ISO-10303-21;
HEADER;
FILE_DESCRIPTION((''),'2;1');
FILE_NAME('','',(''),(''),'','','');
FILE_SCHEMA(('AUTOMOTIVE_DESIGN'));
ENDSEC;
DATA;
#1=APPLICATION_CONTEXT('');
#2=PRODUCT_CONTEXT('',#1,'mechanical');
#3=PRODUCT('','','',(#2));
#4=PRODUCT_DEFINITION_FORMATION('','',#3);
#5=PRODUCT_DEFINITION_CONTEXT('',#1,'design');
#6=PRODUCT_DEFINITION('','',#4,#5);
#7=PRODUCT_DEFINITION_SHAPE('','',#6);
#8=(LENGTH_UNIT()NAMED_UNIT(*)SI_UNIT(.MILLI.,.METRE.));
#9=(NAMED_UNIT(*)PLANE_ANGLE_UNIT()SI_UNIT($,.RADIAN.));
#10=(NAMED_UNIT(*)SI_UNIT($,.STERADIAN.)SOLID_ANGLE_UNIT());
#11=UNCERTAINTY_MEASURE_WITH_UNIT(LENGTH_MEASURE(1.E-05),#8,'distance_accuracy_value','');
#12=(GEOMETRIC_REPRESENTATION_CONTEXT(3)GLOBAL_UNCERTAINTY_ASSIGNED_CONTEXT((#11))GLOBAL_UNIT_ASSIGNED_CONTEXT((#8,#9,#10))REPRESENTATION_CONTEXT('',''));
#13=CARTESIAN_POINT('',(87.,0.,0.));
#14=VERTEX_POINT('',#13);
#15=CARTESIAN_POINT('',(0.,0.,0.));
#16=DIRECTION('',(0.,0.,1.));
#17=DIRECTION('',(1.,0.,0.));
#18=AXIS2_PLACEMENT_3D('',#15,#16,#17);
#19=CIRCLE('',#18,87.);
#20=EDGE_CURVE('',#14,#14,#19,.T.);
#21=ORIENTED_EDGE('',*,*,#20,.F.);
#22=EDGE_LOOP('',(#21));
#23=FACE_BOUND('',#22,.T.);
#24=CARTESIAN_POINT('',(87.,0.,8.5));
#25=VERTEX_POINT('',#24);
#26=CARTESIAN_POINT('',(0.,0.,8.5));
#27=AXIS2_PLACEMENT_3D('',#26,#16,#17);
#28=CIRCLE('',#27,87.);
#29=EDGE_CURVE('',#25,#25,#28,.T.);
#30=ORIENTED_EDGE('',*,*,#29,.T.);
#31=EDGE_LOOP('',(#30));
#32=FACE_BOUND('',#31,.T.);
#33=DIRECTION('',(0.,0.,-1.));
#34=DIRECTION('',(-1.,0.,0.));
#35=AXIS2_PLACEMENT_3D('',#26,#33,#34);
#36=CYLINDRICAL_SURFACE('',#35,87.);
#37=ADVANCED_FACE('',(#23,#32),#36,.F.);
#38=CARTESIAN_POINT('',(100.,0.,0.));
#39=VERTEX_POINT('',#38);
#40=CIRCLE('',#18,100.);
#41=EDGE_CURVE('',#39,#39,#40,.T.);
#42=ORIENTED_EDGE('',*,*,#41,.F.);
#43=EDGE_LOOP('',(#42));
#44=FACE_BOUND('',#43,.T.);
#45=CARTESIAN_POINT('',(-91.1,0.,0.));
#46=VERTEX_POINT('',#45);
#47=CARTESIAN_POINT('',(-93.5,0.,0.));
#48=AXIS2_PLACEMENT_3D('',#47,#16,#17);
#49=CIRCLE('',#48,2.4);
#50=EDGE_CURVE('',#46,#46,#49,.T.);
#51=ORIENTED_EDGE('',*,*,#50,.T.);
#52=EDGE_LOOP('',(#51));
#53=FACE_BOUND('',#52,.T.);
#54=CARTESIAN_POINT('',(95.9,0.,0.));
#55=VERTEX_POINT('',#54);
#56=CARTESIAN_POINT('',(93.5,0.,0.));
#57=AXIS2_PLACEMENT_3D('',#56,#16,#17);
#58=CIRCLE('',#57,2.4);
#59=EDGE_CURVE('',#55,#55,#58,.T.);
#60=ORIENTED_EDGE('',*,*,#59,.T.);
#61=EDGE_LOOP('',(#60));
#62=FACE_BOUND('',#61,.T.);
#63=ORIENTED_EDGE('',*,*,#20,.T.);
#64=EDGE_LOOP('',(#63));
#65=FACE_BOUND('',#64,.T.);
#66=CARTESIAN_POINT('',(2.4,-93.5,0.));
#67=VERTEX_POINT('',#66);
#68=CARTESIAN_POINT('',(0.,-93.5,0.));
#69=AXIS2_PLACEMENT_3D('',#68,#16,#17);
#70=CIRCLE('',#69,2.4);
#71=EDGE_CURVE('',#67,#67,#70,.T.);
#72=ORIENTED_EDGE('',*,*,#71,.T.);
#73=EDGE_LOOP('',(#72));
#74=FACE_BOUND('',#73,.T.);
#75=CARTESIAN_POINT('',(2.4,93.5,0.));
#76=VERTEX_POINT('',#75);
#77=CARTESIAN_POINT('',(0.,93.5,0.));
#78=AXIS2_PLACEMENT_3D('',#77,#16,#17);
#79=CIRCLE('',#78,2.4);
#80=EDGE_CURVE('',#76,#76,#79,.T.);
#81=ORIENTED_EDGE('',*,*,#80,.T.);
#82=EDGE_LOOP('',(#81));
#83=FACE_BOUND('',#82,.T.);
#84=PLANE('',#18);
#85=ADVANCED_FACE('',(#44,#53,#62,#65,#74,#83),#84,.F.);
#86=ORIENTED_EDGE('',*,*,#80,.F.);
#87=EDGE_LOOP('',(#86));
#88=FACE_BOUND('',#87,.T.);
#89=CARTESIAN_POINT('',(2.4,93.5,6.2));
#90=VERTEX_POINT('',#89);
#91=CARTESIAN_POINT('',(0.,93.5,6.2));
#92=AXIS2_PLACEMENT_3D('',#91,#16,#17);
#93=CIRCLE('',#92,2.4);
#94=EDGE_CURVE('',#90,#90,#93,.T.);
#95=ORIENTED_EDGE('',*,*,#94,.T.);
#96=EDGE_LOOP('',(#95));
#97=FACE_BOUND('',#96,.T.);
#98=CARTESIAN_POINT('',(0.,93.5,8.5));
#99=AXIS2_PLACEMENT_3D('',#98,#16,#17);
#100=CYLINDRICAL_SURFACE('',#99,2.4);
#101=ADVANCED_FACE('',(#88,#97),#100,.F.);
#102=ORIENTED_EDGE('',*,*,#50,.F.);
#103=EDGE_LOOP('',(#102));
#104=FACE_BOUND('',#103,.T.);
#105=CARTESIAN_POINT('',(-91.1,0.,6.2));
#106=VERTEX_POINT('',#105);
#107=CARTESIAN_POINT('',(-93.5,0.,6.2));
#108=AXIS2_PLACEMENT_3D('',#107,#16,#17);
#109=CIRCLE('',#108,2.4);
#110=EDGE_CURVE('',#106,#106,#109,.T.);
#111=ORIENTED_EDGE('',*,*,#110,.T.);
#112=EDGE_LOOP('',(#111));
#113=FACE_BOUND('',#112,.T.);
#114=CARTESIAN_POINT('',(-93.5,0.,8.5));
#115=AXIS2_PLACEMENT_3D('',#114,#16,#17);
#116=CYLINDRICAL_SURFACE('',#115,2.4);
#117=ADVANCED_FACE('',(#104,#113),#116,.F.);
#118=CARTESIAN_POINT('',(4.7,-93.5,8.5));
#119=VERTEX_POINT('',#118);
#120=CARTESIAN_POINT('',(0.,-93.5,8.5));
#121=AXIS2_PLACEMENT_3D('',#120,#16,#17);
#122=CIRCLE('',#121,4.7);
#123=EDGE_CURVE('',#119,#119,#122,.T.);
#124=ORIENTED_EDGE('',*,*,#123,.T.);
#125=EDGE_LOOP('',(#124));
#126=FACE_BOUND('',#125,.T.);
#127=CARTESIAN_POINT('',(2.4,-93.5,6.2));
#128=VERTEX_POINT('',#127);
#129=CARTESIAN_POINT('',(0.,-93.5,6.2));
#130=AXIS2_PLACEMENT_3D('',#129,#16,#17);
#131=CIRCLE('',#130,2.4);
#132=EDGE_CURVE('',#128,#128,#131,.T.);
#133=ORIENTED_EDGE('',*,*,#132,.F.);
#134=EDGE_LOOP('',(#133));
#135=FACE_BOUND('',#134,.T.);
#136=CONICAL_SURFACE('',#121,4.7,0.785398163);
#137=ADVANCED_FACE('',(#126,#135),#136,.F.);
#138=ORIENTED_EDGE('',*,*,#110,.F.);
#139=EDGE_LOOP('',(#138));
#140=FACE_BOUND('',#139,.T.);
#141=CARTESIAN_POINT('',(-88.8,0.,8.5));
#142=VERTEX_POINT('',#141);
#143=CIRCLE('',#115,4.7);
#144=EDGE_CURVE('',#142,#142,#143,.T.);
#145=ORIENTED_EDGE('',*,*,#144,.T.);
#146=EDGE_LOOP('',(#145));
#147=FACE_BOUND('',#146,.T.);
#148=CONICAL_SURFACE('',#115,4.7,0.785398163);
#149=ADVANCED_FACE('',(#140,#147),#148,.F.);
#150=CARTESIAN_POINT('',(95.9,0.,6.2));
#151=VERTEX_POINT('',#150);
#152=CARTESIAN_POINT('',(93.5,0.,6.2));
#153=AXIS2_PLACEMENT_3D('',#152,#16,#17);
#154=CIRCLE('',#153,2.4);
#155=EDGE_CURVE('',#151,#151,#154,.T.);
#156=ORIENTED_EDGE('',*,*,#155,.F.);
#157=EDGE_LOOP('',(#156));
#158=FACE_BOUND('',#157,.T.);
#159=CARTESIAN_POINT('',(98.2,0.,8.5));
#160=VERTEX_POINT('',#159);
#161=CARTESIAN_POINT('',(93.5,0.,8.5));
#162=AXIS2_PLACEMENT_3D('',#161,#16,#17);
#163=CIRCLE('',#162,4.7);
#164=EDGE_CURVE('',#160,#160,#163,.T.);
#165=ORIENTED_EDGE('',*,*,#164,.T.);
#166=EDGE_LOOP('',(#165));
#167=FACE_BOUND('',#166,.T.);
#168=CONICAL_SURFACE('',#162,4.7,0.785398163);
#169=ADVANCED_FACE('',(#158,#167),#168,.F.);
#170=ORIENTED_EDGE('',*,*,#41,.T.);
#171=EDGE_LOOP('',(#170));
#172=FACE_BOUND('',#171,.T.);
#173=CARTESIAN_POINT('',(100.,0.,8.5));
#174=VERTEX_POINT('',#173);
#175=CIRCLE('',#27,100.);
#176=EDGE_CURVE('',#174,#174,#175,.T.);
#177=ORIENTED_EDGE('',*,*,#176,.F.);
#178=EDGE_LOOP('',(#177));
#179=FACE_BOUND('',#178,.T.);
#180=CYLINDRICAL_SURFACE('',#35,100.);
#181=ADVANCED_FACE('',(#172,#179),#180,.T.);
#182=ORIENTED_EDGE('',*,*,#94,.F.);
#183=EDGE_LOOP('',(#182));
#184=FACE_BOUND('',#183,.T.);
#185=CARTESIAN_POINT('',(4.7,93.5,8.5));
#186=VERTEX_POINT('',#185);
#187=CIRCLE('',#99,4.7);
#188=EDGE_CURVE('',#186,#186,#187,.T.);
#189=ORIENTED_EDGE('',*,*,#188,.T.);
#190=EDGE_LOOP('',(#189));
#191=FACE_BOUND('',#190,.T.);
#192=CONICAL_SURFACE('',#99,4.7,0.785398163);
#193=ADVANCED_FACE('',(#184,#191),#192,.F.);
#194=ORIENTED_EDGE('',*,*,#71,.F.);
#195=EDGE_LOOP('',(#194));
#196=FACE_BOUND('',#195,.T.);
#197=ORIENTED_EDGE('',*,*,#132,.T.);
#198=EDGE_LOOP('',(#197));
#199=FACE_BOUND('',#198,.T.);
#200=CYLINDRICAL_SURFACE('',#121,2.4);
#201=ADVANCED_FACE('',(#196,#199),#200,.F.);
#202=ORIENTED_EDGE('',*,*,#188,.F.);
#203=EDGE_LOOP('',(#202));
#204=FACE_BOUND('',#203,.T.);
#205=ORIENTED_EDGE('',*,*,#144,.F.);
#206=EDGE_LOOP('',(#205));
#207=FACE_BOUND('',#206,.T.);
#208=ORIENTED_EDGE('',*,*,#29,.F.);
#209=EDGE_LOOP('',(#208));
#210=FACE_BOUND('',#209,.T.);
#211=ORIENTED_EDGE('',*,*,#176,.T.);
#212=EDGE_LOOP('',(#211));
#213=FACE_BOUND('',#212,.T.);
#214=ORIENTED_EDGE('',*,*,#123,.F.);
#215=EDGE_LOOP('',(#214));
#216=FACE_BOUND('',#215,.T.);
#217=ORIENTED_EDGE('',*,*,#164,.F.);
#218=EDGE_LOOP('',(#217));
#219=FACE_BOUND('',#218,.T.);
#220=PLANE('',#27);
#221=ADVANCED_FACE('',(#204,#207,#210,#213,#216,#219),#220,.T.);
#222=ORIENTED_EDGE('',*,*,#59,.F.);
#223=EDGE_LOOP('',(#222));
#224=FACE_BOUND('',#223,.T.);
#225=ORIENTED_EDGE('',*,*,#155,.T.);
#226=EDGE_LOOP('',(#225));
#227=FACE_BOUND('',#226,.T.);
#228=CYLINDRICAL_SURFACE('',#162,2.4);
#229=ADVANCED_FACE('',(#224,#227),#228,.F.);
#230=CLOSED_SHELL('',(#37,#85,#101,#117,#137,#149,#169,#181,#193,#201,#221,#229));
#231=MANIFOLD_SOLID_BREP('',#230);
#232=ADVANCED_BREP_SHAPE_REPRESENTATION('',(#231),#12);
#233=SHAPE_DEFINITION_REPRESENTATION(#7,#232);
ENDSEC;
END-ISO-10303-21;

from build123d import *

# Parameters (mm, degrees)
SKETCH_1_R                   = 100
SKETCH_1_R_2                 = 87
SKETCH_1_R_3                 = 2.25
EXTRUDE_1_DEPTH              = 8.5
HOLE_WIZARD_M4_1_D           = 4.8
HOLE_WIZARD_M4_1_CSINK_D     = 9.4
HOLE_WIZARD_M4_1_CSINK_ANGLE = 90


with BuildPart() as part:
    # ｽｹｯﾁ1 → ﾎﾞｽ - 押し出し1 (new body)
    with BuildSketch(Plane.XY):
        Circle(SKETCH_1_R)
        Circle(SKETCH_1_R_2, mode=Mode.SUBTRACT)
        with Locations((0, 93.5)):
            Circle(SKETCH_1_R_3, mode=Mode.SUBTRACT)
        with Locations((93.5, 0)):
            Circle(SKETCH_1_R_3, mode=Mode.SUBTRACT)
        with Locations((0, -93.5)):
            Circle(SKETCH_1_R_3, mode=Mode.SUBTRACT)
        with Locations((-93.5, 0)):
            Circle(SKETCH_1_R_3, mode=Mode.SUBTRACT)
    extrude(amount=EXTRUDE_1_DEPTH)

    # M4 丸皿ねじ用皿穴1 (through all)
    with Locations(Plane.XY.offset(8.5)):
        with Locations((-93.5, 0), (0, 93.5), (93.5, 0), (0, -93.5)):
            CounterSinkHole(HOLE_WIZARD_M4_1_D / 2, HOLE_WIZARD_M4_1_CSINK_D / 2, counter_sink_angle=HOLE_WIZARD_M4_1_CSINK_ANGLE)


solid = part.part
